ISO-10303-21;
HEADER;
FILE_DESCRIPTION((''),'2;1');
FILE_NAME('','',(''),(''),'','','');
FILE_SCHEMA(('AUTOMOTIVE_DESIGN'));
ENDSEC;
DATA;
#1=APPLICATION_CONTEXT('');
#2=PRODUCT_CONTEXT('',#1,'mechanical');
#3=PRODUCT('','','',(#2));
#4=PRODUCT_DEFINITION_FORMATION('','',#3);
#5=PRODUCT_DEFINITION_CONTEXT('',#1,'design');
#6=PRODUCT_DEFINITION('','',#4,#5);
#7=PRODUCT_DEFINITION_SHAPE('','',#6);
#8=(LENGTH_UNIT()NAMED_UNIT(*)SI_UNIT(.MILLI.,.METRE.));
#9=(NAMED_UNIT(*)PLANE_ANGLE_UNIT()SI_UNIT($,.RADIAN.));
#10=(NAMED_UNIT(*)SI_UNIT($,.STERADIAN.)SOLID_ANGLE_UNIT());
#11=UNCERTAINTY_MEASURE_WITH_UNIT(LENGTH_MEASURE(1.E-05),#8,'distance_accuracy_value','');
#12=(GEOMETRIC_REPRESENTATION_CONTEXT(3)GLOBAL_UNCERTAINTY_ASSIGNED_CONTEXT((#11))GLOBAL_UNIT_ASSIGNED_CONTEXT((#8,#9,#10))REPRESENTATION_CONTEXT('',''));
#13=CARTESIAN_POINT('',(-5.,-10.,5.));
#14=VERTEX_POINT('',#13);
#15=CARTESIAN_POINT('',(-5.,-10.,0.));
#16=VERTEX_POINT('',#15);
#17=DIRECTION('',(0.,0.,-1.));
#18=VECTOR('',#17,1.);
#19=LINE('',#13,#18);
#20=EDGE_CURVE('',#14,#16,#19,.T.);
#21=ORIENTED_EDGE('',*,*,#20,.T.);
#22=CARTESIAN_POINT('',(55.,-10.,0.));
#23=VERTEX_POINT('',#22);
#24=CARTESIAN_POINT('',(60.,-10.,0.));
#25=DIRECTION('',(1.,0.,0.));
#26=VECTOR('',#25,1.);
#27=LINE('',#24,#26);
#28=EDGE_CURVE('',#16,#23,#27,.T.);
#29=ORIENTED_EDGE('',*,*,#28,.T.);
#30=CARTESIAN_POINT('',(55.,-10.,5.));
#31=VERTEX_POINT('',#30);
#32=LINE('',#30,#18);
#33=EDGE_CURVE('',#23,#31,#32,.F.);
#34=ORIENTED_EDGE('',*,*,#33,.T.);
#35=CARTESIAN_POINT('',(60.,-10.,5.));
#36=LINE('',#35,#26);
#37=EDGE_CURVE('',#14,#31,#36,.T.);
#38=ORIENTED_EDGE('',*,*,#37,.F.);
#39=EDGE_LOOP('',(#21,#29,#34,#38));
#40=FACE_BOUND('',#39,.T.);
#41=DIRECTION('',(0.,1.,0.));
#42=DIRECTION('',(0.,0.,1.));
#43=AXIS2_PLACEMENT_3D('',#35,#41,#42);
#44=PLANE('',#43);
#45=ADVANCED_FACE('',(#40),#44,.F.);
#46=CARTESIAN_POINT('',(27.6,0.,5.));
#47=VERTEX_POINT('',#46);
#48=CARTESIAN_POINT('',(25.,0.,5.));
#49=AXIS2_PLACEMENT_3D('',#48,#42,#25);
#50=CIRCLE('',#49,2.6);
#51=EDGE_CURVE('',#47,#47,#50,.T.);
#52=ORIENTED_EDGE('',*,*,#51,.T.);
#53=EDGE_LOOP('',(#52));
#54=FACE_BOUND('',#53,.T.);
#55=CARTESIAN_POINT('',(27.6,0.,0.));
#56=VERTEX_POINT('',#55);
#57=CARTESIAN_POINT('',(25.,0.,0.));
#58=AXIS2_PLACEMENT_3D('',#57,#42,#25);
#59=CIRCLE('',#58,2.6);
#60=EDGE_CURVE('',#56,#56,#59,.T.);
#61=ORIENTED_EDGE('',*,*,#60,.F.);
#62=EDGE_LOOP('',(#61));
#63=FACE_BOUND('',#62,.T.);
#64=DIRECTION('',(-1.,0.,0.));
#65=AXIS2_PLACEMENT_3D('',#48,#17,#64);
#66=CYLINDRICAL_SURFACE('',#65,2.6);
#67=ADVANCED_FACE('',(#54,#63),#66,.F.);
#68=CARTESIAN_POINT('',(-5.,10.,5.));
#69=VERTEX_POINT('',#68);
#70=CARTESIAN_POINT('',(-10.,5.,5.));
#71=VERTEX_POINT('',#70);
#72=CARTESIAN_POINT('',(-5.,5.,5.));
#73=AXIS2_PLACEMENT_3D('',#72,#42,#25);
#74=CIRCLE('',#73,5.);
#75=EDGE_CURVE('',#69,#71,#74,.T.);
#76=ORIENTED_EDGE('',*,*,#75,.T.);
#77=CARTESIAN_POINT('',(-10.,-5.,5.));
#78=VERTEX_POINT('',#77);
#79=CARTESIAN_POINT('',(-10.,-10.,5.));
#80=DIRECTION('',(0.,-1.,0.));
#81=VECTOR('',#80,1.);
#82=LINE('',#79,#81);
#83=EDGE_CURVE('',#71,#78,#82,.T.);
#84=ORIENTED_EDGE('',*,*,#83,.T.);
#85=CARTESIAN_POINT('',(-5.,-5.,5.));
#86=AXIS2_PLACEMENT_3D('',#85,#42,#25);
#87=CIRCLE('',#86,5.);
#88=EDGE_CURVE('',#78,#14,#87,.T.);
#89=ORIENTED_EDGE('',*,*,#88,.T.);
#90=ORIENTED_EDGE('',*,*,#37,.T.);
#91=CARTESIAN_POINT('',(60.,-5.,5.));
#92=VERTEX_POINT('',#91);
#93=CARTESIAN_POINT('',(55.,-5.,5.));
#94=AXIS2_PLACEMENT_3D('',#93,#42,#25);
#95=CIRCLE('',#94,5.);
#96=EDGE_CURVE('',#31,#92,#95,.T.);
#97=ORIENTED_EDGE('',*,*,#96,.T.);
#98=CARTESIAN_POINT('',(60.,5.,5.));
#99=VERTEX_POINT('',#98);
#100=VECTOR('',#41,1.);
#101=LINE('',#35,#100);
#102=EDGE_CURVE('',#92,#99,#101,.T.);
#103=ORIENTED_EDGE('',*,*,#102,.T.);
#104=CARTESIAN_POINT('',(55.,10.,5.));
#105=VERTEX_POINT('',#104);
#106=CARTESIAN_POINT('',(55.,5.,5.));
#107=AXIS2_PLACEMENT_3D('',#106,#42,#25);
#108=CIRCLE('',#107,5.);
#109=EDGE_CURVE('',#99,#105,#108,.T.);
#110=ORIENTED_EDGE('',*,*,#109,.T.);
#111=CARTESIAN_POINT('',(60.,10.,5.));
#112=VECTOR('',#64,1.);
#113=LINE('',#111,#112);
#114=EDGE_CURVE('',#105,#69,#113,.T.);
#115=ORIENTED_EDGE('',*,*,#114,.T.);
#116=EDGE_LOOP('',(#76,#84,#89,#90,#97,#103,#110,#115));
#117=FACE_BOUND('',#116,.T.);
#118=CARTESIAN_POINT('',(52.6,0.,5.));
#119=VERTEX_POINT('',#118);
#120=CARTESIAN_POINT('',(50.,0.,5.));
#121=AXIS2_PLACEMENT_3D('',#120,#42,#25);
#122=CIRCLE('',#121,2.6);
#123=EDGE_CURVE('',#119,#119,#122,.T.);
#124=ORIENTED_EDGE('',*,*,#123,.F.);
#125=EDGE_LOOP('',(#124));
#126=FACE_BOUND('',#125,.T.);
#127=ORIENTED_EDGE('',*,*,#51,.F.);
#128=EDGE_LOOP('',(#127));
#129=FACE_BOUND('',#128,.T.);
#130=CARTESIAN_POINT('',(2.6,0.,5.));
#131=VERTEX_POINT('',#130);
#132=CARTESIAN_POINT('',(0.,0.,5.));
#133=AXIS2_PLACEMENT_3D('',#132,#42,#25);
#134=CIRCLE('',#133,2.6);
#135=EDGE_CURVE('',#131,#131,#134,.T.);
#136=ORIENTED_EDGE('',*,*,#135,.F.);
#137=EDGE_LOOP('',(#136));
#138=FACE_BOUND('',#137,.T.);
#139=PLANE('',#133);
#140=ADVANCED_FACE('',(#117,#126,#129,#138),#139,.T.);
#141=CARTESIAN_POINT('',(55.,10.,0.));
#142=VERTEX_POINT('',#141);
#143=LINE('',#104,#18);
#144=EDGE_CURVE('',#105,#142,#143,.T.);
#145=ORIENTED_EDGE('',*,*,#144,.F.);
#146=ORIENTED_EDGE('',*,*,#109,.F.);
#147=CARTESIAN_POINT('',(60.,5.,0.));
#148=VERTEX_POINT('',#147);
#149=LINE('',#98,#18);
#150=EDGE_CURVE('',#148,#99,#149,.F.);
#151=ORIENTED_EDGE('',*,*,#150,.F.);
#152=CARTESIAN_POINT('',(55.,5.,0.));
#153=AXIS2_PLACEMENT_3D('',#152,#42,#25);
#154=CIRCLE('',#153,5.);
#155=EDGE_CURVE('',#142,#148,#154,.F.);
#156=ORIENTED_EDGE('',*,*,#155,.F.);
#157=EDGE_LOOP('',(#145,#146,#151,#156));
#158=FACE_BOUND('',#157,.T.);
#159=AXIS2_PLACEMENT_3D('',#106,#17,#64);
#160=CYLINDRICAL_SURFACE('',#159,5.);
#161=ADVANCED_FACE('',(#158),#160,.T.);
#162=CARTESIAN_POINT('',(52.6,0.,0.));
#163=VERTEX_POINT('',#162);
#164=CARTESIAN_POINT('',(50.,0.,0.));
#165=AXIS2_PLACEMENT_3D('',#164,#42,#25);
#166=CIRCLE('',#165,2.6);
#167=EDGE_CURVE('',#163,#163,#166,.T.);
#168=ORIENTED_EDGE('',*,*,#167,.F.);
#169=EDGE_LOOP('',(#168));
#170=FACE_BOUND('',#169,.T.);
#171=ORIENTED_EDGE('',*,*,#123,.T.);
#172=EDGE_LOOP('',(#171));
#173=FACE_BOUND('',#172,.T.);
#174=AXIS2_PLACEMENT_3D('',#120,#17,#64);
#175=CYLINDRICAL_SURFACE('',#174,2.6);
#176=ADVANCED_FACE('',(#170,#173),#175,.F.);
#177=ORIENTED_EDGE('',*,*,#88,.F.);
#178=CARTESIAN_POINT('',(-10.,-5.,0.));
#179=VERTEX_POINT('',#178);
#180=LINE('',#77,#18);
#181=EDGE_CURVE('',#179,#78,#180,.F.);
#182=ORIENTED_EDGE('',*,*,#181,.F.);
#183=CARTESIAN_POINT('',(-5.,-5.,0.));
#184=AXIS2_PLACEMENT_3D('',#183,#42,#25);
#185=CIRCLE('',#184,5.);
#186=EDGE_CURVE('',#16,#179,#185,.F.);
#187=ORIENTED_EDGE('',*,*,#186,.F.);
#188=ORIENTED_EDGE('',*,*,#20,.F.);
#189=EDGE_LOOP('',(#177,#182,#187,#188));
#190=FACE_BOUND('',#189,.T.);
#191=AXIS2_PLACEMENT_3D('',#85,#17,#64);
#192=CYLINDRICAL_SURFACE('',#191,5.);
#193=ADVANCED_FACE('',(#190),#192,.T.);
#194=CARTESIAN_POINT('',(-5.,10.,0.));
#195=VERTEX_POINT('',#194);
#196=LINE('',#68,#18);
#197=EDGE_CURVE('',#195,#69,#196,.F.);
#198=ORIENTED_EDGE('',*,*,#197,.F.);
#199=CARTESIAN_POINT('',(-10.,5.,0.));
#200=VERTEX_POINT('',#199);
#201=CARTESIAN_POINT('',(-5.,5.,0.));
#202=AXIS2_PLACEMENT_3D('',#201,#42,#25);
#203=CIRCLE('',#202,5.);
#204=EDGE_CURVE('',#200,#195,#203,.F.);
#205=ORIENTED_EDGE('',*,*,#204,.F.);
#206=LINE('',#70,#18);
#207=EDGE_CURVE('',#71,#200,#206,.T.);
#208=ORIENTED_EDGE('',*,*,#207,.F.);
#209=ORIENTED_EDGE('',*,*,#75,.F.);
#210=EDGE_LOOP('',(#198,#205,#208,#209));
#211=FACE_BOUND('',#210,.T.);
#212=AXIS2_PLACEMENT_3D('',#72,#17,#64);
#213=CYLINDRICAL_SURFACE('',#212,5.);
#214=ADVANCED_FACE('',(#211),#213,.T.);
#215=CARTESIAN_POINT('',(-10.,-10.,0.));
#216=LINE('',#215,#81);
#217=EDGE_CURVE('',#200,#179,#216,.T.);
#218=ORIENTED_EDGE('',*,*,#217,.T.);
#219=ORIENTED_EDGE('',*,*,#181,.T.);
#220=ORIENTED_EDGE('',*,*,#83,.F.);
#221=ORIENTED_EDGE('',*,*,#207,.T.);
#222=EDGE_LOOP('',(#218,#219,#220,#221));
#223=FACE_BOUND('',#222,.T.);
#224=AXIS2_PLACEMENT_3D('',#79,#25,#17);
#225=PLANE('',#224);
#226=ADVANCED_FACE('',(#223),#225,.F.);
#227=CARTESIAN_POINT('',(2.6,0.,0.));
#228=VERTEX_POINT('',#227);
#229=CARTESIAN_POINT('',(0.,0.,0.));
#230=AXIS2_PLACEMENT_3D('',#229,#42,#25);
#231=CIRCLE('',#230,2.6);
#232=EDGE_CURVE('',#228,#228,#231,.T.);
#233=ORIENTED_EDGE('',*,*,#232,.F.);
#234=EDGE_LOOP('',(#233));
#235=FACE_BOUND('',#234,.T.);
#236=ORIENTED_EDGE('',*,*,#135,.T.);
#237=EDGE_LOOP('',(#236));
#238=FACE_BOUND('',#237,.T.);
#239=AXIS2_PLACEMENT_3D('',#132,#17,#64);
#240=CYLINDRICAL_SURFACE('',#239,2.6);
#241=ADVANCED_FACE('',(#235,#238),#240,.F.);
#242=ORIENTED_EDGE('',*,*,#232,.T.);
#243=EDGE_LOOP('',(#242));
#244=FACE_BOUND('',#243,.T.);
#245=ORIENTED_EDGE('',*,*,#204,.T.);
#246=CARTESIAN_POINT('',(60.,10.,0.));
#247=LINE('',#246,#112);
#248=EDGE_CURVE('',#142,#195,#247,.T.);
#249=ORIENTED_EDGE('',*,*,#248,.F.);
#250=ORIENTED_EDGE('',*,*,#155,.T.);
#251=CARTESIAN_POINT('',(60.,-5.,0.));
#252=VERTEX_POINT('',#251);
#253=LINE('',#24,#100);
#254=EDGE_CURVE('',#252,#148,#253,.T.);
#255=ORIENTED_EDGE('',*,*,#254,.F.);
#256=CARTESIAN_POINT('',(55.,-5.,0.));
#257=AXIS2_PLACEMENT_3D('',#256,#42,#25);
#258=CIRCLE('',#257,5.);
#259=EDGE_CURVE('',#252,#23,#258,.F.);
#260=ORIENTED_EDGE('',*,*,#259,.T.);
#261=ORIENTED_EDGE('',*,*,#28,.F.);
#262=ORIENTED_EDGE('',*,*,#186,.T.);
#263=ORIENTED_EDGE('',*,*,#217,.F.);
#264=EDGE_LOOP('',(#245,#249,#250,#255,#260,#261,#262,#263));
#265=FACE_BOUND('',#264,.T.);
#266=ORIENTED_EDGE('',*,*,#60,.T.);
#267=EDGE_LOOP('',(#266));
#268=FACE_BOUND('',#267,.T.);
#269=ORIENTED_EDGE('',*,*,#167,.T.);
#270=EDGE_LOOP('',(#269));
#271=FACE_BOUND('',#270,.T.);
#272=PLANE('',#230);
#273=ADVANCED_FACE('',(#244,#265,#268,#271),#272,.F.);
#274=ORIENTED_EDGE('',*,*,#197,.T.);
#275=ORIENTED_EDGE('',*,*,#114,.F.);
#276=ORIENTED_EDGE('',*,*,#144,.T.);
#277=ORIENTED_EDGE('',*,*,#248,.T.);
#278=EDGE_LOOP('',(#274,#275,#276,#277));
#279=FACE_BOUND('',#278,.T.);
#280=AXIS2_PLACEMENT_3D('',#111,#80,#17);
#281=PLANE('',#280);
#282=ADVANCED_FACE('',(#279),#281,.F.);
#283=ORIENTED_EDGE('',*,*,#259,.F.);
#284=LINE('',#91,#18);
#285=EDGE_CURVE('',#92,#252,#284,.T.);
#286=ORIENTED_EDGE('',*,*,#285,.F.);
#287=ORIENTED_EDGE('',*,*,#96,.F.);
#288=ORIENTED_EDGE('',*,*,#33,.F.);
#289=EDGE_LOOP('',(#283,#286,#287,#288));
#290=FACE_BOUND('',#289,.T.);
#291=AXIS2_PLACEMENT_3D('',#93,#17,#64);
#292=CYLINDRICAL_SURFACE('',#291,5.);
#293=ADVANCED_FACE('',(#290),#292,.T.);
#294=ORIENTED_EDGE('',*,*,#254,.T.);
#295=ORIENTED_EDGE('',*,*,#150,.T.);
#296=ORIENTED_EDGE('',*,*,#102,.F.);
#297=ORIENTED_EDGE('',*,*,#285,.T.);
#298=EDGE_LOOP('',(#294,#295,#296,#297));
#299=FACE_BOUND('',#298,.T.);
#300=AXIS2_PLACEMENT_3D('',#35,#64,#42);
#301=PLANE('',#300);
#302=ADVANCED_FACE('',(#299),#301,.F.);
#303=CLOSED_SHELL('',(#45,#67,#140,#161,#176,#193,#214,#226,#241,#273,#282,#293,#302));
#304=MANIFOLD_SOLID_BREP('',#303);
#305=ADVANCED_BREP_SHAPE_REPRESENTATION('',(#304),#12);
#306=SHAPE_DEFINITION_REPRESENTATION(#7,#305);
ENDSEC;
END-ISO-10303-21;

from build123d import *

# Parameters (mm, degrees)
SKETCH_2_W      = 70
SKETCH_2_H      = 20
SKETCH_2_R      = 2.6
EXTRUDE_1_DEPTH = 5
FILLET_1_R      = 5


with BuildPart() as part:
    # ｽｹｯﾁ2 → ﾎﾞｽ - 押し出し1 (new body)
    with BuildSketch(Plane.XY):
        with Locations((25, 0)):
            Rectangle(SKETCH_2_W, SKETCH_2_H)
        with Locations((25, 0)):
            Circle(SKETCH_2_R, mode=Mode.SUBTRACT)
        with Locations((50, 0)):
            Circle(SKETCH_2_R, mode=Mode.SUBTRACT)
        Circle(SKETCH_2_R, mode=Mode.SUBTRACT)
    extrude(amount=EXTRUDE_1_DEPTH)

    # ﾌｨﾚｯﾄ1
    fillet_1_edges = [part.edges().sort_by_distance(p)[0] for p in [
        (-10, 10, 2.5),
        (60, 10, 2.5),
        (60, -10, 2.5),
        (-10, -10, 2.5),
    ]]
    fillet(fillet_1_edges, radius=FILLET_1_R)


solid = part.part
